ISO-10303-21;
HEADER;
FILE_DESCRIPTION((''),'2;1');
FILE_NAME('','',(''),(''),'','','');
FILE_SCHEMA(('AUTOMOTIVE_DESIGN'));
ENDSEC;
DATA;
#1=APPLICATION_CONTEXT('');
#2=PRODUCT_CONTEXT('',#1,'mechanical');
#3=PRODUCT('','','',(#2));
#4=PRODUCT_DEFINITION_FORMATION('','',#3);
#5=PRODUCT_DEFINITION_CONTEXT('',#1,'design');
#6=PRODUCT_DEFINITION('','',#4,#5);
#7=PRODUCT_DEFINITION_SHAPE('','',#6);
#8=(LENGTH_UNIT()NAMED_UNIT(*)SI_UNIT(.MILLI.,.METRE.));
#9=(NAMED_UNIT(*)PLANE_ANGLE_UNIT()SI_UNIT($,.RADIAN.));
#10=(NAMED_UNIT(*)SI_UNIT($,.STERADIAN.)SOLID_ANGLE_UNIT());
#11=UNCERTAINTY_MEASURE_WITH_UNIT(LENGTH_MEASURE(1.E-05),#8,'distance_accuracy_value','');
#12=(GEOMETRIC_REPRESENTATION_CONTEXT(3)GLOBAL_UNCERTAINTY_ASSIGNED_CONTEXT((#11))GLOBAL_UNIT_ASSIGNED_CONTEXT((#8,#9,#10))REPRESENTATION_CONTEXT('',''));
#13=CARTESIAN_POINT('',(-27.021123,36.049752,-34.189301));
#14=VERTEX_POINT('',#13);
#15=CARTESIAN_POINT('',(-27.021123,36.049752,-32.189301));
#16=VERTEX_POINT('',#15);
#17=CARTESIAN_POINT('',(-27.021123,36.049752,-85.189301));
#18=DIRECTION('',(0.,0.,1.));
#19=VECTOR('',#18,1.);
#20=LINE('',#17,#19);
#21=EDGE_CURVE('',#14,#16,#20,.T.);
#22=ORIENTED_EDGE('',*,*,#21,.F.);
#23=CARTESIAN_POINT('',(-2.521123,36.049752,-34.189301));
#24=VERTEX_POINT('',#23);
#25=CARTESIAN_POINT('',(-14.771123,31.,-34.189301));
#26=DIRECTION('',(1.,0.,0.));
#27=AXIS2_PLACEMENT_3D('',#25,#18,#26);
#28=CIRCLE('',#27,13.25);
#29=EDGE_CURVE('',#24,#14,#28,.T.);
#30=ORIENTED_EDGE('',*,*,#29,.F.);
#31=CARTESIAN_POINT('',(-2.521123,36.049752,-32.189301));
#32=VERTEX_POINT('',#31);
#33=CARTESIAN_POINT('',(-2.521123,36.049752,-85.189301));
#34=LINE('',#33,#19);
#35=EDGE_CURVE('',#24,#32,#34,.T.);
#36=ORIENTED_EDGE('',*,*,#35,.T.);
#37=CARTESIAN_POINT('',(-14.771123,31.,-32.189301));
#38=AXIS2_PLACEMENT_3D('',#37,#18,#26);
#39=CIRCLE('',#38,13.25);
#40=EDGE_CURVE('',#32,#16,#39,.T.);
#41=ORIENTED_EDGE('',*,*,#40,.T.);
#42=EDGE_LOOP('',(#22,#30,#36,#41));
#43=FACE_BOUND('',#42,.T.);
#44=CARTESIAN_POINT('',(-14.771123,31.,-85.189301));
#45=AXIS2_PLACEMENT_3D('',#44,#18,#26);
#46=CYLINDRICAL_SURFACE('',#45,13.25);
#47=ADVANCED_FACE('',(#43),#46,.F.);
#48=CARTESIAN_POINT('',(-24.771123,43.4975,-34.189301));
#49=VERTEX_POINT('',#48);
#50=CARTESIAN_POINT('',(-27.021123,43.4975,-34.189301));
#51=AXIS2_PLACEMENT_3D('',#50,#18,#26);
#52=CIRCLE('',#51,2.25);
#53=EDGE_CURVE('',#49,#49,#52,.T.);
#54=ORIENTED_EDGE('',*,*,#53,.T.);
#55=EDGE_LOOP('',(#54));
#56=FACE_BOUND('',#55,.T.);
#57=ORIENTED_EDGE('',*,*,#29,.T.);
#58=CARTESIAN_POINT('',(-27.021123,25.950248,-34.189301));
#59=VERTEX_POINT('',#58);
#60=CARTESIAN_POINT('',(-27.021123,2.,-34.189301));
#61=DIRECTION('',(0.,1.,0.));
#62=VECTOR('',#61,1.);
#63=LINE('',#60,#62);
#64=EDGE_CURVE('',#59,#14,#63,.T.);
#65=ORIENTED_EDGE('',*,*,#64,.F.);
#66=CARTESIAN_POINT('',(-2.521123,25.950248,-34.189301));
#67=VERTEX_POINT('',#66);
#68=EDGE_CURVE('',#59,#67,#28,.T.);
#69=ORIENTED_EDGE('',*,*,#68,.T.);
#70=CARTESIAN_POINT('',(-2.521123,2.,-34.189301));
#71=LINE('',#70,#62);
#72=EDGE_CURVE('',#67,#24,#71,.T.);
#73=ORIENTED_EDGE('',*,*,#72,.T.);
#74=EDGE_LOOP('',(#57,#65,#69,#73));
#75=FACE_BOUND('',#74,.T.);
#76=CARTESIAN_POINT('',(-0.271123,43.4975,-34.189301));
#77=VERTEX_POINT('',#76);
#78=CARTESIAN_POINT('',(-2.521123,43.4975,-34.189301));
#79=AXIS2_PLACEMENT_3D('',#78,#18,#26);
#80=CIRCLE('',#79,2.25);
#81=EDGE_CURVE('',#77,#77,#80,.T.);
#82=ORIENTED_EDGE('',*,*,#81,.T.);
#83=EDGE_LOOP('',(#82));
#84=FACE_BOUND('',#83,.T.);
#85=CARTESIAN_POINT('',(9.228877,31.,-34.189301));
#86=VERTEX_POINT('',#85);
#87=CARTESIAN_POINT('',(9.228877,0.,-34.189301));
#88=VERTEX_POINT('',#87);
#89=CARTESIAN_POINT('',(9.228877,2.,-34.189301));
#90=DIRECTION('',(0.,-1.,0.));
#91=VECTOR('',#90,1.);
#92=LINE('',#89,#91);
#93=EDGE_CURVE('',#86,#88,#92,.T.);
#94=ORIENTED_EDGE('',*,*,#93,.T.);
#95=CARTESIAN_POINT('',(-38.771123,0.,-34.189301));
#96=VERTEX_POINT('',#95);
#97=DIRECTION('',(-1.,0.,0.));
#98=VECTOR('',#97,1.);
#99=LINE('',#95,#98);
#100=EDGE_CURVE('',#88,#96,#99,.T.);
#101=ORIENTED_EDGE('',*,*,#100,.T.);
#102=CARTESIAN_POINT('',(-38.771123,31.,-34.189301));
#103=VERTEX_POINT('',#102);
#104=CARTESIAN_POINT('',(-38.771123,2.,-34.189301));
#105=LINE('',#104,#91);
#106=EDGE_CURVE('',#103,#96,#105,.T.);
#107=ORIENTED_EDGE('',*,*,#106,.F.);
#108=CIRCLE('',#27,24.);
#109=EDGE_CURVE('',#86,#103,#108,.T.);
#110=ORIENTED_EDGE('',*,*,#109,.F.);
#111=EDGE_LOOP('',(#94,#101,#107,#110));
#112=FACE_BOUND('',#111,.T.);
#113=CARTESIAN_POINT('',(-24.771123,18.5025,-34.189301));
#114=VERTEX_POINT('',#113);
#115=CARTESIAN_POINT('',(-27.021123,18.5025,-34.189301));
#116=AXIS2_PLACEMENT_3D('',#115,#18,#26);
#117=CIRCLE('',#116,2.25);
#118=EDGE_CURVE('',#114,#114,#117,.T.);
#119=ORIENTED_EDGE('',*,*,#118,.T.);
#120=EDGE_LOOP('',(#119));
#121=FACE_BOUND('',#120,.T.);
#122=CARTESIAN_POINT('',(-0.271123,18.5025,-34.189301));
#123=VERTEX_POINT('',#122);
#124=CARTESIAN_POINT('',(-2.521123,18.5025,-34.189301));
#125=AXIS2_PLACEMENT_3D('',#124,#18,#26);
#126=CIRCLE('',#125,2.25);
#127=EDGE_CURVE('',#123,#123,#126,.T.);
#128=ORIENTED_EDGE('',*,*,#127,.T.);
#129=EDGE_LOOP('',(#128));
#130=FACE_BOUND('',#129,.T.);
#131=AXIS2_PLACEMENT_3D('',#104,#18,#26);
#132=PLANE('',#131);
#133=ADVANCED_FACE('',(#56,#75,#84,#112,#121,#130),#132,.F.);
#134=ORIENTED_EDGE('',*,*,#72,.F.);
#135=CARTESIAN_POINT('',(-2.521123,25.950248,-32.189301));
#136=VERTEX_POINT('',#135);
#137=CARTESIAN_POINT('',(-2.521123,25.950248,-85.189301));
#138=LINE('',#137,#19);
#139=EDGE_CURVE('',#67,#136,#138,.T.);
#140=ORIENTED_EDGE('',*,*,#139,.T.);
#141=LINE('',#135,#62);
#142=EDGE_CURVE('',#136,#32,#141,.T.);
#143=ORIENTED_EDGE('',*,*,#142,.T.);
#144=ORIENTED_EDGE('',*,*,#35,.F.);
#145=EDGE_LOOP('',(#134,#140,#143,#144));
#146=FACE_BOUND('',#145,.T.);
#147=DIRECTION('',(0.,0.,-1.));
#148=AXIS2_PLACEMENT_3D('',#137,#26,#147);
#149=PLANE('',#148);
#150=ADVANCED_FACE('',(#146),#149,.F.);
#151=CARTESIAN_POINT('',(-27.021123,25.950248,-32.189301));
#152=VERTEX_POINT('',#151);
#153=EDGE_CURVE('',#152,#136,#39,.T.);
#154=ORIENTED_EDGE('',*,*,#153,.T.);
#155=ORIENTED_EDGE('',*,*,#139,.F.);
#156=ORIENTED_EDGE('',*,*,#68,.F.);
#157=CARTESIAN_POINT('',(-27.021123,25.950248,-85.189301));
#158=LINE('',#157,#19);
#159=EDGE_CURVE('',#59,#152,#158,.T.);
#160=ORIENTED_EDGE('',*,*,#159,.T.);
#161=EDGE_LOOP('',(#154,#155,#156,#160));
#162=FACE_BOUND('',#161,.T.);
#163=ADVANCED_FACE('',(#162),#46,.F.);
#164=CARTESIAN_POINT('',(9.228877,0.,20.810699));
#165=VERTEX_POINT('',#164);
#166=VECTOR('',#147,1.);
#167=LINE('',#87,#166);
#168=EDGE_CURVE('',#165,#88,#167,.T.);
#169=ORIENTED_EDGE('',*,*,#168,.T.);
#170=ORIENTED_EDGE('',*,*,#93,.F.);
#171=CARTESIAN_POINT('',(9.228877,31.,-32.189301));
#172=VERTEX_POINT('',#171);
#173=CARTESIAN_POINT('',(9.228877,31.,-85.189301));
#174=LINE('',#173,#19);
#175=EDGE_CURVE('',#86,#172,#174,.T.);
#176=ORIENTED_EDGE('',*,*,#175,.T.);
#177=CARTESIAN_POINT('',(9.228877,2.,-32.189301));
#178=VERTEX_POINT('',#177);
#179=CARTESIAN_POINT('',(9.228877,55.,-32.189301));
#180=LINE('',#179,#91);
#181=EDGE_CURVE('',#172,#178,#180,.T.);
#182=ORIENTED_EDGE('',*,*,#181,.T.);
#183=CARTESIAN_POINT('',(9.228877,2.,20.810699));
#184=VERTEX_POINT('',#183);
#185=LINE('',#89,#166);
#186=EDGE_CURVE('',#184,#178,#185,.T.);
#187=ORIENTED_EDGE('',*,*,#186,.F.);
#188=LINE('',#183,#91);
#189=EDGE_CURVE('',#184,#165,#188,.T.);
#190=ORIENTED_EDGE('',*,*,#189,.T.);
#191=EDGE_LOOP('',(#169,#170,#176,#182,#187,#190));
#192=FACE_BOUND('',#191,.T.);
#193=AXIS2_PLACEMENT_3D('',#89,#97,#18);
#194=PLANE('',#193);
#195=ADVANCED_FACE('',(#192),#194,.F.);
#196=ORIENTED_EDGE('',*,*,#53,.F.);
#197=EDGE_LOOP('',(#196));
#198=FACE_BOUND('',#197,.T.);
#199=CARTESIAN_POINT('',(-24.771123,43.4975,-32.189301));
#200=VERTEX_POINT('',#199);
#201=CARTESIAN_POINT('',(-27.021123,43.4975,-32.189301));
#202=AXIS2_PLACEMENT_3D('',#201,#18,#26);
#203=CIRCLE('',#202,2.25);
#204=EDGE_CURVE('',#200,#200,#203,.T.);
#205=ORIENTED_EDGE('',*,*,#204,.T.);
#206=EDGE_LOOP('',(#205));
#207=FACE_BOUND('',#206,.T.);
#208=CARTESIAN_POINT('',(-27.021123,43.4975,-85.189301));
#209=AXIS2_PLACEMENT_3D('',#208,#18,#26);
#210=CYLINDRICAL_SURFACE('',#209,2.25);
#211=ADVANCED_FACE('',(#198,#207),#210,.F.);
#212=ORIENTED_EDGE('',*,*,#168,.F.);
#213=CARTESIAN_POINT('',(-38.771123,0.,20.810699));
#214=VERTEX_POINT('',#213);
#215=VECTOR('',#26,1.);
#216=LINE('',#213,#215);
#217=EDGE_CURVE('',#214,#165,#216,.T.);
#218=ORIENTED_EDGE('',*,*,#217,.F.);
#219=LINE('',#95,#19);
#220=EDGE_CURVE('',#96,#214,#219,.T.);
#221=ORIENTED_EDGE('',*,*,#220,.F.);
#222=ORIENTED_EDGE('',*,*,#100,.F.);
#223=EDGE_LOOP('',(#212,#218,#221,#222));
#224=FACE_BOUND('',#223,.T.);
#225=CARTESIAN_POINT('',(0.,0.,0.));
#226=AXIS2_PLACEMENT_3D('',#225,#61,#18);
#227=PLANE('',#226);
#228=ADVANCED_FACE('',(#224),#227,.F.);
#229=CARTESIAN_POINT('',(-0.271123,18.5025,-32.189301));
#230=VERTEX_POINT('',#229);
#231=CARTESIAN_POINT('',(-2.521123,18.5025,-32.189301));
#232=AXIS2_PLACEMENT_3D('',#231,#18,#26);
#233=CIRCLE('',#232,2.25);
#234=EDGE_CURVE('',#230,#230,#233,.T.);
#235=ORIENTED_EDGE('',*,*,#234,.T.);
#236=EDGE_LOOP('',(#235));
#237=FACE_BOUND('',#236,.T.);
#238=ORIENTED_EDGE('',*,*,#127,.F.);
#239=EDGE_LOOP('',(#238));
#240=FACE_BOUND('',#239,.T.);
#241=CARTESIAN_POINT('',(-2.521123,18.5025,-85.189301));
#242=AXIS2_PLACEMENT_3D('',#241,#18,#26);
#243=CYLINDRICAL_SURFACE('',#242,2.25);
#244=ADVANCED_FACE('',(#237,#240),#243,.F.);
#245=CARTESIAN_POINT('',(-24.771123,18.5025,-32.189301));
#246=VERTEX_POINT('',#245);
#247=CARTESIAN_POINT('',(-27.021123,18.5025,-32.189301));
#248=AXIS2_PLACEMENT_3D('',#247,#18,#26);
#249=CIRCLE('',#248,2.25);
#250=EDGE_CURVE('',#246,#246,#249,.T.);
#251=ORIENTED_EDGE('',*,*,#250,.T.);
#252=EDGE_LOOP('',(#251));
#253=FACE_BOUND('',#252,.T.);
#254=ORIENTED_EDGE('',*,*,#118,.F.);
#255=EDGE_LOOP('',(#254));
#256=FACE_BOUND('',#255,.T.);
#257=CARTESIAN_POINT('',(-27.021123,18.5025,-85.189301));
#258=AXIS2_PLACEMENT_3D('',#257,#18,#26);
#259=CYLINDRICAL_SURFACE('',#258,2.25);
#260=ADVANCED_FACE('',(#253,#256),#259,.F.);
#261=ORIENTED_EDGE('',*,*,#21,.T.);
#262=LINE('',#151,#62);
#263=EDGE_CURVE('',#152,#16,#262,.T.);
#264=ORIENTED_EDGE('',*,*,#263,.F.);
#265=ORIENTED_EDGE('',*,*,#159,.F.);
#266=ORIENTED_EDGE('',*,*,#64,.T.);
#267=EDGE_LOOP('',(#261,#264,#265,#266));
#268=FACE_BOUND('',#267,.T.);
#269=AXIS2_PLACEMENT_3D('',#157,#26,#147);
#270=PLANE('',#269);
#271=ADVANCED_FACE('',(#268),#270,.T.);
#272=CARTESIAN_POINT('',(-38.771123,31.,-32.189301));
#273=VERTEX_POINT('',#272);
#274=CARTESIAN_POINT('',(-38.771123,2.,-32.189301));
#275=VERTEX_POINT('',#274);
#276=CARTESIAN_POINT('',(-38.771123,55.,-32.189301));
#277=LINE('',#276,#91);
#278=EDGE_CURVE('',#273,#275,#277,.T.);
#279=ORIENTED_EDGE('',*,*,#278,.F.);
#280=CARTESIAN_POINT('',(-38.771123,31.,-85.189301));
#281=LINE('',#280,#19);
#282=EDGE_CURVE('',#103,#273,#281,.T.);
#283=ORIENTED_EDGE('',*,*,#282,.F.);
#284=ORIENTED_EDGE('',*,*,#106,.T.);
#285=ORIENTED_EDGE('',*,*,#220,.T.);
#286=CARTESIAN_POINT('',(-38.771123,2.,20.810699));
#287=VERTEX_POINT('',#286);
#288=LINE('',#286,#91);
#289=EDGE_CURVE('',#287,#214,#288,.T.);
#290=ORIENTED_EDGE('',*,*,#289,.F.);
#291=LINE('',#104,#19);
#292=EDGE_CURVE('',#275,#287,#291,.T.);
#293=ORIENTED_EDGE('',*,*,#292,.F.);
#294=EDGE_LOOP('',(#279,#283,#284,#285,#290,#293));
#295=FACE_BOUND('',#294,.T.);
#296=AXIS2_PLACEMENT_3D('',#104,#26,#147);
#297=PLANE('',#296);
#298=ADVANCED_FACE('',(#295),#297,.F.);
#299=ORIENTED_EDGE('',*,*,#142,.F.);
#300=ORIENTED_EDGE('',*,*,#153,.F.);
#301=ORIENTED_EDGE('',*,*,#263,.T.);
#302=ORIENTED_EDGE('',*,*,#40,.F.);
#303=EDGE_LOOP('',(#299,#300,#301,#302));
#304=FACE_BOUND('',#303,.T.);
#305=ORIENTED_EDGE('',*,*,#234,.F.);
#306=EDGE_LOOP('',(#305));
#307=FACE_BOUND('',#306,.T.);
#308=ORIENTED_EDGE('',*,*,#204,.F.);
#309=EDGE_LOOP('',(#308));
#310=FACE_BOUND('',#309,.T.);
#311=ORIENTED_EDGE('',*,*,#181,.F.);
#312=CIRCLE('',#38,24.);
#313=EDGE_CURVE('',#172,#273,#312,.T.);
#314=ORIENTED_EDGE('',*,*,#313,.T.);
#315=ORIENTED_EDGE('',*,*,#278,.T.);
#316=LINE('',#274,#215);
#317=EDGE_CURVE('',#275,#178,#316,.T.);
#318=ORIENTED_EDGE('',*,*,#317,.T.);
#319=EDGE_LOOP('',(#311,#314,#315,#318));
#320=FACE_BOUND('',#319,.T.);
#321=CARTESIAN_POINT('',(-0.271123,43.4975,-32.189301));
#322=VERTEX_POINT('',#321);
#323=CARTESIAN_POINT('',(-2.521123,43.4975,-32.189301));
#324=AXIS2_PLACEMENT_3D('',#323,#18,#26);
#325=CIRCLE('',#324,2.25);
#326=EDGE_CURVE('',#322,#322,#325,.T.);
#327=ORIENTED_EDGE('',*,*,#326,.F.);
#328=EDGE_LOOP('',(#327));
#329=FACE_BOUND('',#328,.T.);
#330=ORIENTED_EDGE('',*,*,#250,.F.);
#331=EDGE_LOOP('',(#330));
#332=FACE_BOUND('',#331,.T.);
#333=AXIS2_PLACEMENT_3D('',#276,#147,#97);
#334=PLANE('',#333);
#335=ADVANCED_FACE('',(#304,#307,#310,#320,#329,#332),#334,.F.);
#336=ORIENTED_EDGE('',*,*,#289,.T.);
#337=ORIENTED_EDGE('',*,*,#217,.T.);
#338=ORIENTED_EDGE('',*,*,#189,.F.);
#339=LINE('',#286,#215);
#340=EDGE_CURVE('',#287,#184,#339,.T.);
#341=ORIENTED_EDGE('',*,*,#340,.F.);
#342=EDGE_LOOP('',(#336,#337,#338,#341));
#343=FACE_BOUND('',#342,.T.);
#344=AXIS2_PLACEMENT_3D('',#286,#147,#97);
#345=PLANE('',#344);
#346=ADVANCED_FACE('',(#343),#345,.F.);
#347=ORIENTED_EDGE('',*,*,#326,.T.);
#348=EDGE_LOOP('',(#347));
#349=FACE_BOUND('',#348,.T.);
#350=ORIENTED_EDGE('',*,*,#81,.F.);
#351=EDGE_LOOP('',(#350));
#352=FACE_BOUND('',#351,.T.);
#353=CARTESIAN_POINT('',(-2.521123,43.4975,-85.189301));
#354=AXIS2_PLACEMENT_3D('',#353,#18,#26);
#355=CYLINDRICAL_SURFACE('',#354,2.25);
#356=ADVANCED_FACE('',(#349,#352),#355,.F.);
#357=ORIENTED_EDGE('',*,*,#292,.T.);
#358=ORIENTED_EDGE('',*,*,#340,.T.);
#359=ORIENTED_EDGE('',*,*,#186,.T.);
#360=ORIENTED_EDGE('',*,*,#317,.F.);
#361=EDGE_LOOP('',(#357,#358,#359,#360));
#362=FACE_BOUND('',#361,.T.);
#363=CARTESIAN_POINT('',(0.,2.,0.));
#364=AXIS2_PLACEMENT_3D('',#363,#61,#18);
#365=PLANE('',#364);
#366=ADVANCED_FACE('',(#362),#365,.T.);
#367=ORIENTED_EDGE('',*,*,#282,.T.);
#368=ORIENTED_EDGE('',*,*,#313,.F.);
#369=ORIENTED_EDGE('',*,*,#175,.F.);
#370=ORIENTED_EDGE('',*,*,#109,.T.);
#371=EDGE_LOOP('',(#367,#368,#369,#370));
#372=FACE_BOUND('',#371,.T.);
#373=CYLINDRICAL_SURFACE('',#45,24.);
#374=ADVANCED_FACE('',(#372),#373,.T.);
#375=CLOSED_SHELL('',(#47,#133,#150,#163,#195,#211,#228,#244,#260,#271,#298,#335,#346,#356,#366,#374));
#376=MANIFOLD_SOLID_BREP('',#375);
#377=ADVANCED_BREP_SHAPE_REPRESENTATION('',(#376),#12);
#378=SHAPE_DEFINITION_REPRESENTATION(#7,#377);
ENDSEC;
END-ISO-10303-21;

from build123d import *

# Parameters (mm, degrees)
SKETCH1_W           = 48
SKETCH1_H           = 55
BOSS_EXTRUDE1_DEPTH = 2
SKETCH2_W           = 48
SKETCH2_H           = 2
BOSS_EXTRUDE2_DEPTH = 53
CUT_EXTRUDE1_DEPTH  = 53
CUT_EXTRUDE2_DEPTH  = 53
SKETCH5_R           = 2.25
CUT_EXTRUDE3_DEPTH  = 53


with BuildPart() as part:
    # Sketch1 → Boss-Extrude1 (new body)
    with BuildSketch(Plane(origin=(0, 0, 0), x_dir=(1, 0, 0), z_dir=(0, 1, 0))):
        with Locations((-14.771122877, 6.689300827)):
            Rectangle(SKETCH1_W, SKETCH1_H)
    extrude(amount=BOSS_EXTRUDE1_DEPTH)

    # Sketch2 → Boss-Extrude2 (add)
    with BuildSketch(Plane(origin=(0, 2, 0), x_dir=(1, 0, 0), z_dir=(0, 1, 0))):
        with Locations((-14.771122877, 33.189300827)):
            Rectangle(SKETCH2_W, SKETCH2_H)
    extrude(amount=BOSS_EXTRUDE2_DEPTH)

    # Sketch3 → Cut-Extrude1 (cut)
    with BuildSketch(Plane.XY.offset(-32.189300827)):
        with BuildLine():
            Line((-14.771122877, 55), (-38.771122877, 55))
            Line((-38.771122877, 55), (-38.771122877, 31))
            ThreePointArc((-38.771122877, 31), (-31.741685625, 47.970562748), (-14.771122877, 55))
        make_face()
        with BuildLine():
            Line((9.228877123, 55), (-14.771122877, 55))
            ThreePointArc((-14.771122877, 55), (2.199439872, 47.970562748), (9.228877123, 31))
            Line((9.228877123, 31), (9.228877123, 55))
        make_face()
    extrude(amount=-CUT_EXTRUDE1_DEPTH, mode=Mode.SUBTRACT)

    # Sketch4 → Cut-Extrude2 (cut)
    with BuildSketch(Plane.XY.offset(-32.189300827)):
        with BuildLine():
            Line((-27.021122877, 25.950247531), (-27.021122877, 36.049752469))
            ThreePointArc((-27.021122877, 36.049752469), (-14.771122877, 44.25), (-2.521122877, 36.049752469))
            Line((-2.521122877, 36.049752469), (-2.521122877, 25.950247531))
            ThreePointArc((-2.521122877, 25.950247531), (-14.771122877, 17.75), (-27.021122877, 25.950247531))
        make_face()
    extrude(amount=-CUT_EXTRUDE2_DEPTH, mode=Mode.SUBTRACT)

    # Sketch5 → Cut-Extrude3 (cut)
    with BuildSketch(Plane.XY.offset(-32.189300827)):
        with Locations((-27.021122877, 43.49749975)):
            Circle(SKETCH5_R)
        with Locations((-2.521122877, 43.49749975)):
            Circle(SKETCH5_R)
        with Locations((-27.021122877, 18.50250025)):
            Circle(SKETCH5_R)
        with Locations((-2.521122877, 18.50250025)):
            Circle(SKETCH5_R)
    extrude(amount=-CUT_EXTRUDE3_DEPTH, mode=Mode.SUBTRACT)


solid = part.part
